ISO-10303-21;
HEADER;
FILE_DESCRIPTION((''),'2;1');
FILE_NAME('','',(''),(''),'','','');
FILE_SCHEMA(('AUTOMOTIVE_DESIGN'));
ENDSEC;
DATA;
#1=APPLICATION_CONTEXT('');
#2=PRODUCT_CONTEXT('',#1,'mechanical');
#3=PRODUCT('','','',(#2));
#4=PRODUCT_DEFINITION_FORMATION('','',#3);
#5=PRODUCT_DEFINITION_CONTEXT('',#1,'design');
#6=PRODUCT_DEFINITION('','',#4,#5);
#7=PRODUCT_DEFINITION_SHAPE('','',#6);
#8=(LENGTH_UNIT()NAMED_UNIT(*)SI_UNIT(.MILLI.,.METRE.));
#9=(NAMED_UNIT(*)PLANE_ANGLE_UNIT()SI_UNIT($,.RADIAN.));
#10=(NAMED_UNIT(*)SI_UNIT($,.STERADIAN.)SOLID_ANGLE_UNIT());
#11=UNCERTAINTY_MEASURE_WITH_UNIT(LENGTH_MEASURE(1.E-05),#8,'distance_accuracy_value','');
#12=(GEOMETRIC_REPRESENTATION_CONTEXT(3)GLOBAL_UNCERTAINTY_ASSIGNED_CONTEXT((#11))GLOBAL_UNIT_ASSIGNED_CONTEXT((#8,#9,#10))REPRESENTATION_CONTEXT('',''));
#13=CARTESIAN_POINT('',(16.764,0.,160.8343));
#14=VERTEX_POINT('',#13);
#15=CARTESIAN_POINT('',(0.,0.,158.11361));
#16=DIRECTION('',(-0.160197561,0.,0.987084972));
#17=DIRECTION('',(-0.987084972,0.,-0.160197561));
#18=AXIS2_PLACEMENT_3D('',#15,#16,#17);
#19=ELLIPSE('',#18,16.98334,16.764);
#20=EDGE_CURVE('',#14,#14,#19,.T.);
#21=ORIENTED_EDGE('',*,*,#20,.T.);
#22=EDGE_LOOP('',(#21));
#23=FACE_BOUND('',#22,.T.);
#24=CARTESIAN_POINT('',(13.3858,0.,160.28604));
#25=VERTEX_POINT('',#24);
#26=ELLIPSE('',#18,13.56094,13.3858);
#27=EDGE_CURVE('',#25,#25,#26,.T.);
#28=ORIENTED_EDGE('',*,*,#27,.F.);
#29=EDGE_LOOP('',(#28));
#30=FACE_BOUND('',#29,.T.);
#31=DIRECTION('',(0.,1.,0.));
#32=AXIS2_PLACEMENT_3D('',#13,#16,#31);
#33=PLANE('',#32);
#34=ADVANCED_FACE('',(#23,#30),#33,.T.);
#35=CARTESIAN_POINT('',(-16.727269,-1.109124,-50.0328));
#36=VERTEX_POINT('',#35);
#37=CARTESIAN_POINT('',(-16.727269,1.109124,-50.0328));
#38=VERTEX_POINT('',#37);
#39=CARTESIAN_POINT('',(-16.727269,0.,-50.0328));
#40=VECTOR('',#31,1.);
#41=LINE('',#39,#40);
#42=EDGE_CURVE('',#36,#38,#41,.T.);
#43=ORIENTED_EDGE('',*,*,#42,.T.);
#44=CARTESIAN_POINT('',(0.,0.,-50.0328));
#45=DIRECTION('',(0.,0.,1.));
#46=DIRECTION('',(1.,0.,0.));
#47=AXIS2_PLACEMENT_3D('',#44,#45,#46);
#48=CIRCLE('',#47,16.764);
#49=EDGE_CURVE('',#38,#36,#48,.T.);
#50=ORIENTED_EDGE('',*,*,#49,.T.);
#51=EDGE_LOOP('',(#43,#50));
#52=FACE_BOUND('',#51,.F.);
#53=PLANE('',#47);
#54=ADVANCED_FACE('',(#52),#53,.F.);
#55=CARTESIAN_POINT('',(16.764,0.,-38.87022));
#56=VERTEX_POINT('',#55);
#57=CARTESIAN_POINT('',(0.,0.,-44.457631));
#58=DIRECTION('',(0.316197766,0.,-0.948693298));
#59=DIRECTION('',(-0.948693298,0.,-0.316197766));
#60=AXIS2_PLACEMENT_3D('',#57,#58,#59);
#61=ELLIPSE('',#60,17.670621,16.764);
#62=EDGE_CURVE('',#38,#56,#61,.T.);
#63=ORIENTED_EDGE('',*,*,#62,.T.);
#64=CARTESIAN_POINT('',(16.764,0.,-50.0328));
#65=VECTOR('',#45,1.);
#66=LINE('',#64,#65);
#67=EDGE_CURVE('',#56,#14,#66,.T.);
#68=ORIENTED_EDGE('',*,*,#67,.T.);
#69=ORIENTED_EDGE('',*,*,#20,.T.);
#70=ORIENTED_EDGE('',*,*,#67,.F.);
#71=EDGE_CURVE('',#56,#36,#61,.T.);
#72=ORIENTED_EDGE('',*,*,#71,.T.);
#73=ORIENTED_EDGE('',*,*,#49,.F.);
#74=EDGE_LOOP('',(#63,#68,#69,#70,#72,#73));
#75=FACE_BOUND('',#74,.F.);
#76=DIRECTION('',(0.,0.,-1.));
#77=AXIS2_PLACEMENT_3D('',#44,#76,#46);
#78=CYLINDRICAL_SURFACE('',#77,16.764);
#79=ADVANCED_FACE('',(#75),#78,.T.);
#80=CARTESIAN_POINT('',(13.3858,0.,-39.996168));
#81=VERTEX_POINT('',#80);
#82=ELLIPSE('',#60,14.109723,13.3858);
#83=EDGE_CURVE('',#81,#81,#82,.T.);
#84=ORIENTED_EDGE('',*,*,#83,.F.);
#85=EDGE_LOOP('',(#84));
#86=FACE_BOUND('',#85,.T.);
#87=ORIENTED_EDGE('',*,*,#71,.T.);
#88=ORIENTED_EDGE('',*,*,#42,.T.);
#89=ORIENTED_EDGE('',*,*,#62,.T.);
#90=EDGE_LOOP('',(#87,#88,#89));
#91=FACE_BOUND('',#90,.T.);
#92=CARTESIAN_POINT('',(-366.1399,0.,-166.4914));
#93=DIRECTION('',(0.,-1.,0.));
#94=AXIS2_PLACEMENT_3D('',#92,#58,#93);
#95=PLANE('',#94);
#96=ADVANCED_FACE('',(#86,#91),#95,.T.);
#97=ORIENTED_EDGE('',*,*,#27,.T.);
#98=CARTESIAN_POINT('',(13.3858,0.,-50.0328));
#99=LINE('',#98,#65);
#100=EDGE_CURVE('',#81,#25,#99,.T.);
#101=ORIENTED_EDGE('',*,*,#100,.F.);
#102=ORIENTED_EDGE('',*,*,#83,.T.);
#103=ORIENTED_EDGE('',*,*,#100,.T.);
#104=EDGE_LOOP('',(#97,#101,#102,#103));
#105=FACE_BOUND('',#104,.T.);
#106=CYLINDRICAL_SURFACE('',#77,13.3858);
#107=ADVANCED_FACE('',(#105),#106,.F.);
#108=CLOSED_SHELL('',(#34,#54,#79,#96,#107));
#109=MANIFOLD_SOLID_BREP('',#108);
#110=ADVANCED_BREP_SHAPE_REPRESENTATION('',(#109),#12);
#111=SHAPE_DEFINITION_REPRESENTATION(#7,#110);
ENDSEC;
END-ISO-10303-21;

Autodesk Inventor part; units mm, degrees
ref_plane "Start plane" through (0, 0, -50.0328) normal (0, 0, 1) x (1, 0, 0)
ref_plane "End plane" through (0, 0, 160.8343) normal (0, 0, 1) x (1, 0, 0)
sketch "Sketch" plane through (0, 0, 0) normal (0, 0, 1) x (1, 0, 0)
  circle A0 centre (0, 0) radius 13.3858
  circle A1 centre (0, 0) radius 16.764
  dimension "d0" = 33.528
  dimension "d1" = 3.3782
extrude "Body" add sketch "Sketch" along normal up to surface (210.8671 mm away) from surface at -50.0328
sketch "Sketch3" plane through (0, 0, 0) normal (0, 0, 1) x (1, 0, 0)
  line L0 (0, 0) -> (10, 0)
ref_plane "Work Plane3" through (0, 0, 0) normal (0, -1, 0) x (1, 0, 0)
ref_plane "Work Plane4" through (-366.1399, 0, -166.4914) normal (0.3162, 0, -0.9487) x (-0.9487, 0, -0.3162)
split "Split1" plane through (-366.1399, 0, -166.4914) removes the side toward (0.3162, 0, -0.9487)
ref_plane "Work Plane5" through (16.764, 0, 160.8343) normal (-0.1602, 0, 0.9871) x (0.9871, 0, 0.1602)
split "Split2" plane through (16.764, 0, 160.8343) removes the side toward (-0.1602, 0, 0.9871)
sketch "Sketch4" plane through (0, 0, 0) normal (0, -1, 0) x (1, 0, 0)
  line L0 (-2, -50.0328) -> (12, -50.0328) projected
  line L1 (-2, 160.8343) -> (12, 160.8343) projected
  dimension "d7" = 210.8671
equation "\"d0\" = G_H"
equation "\"d1\" = G_T"
equation "\"d2\" = G_L"
equation "\"G_H\" = 33.528"
equation "\"G_T\" = 3.3782"
equation "\"G_L\" = d7"
equation "\"G_OFFSET_START\" = 50.03276"
equation "\"G_OFFSET_END\" = 2.72042"
equation "\"d4\" = -G_OFFSET_START"
equation "\"d5\" = G_OFFSET_END + B_L"
equation "\"B_L\" = 158.11388"
properties part number "ANSI - 1 x 0.133 - 8.302" material "Steel, Mild"
